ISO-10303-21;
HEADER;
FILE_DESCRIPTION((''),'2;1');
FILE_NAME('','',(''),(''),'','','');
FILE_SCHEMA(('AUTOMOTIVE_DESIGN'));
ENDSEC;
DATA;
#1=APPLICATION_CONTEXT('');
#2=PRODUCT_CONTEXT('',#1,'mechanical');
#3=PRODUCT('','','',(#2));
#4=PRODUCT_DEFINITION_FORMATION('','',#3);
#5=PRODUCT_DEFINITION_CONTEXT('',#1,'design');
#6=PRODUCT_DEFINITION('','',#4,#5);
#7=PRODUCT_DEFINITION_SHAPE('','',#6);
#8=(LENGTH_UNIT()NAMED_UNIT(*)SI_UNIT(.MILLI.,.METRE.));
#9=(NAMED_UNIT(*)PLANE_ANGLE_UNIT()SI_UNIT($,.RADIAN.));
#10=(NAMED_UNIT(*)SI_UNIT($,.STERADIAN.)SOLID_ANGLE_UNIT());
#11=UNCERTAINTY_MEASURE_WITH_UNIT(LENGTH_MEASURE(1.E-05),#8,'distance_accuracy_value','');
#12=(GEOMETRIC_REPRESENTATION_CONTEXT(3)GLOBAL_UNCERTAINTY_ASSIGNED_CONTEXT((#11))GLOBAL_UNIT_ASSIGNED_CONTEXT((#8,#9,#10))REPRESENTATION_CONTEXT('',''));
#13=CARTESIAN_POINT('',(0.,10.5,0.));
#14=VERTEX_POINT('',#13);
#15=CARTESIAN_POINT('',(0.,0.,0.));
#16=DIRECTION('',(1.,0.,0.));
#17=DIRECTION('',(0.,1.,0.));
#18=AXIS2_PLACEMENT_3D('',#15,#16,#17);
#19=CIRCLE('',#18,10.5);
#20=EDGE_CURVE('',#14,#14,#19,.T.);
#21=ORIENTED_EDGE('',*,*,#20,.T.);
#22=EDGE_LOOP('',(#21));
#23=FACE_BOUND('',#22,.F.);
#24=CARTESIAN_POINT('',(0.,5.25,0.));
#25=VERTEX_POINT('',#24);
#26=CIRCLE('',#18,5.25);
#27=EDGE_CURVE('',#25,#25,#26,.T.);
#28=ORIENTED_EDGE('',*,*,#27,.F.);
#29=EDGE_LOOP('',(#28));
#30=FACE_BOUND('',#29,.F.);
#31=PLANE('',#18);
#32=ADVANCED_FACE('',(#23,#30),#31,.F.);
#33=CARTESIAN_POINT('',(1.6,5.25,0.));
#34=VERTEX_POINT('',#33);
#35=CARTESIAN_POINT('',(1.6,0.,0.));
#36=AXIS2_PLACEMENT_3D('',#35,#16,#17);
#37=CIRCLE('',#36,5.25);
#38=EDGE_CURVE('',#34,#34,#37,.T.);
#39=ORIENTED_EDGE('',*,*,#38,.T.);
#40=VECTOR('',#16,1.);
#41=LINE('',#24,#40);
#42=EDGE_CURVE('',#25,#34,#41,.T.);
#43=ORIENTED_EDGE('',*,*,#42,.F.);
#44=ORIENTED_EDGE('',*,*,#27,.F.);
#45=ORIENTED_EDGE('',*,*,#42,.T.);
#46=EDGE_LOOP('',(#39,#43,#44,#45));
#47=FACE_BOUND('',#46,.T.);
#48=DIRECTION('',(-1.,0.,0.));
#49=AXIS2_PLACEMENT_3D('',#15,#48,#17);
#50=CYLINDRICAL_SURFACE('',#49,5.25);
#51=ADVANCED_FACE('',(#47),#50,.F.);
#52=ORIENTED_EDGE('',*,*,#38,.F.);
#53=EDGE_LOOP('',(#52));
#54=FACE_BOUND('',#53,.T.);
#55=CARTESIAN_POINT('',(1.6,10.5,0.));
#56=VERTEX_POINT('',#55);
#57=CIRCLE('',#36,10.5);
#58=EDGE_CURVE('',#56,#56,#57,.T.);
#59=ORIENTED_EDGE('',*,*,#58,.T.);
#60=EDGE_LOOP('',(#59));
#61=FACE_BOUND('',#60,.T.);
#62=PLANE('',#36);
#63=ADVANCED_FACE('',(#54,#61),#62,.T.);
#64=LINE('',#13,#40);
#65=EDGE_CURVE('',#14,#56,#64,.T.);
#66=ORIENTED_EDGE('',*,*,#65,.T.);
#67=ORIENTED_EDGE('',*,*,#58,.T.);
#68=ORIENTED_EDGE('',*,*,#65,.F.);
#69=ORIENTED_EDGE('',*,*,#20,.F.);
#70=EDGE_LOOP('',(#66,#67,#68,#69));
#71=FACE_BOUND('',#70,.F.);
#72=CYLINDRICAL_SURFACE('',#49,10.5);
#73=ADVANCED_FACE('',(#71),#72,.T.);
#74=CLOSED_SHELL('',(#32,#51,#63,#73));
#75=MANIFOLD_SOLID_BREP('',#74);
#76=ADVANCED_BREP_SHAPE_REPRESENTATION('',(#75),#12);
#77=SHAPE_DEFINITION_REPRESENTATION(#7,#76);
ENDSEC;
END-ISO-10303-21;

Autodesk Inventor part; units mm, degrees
ref_plane "YZ Plane" through (0, 0, 0) normal (1, 0, 0) x (0, 1, 0)
ref_plane "XZ Plane" through (0, 0, 0) normal (0, 1, 0) x (-1, 0, 0)
sketch "Sketch" plane through (0, 0, 0) normal (1, 0, 0) x (0, 1, 0)
  circle A0 centre (0, 0) radius 10.5
  circle A1 centre (0, 0) radius 5.25
  dimension "d0" = 10.5
  dimension "d1" = 21
extrude "Body" add sketch "Sketch" along normal blind 1.6
ref_plane "Work Plane1" through (0, 0, 0) normal (0, 0, 1) x (1, 0, 0)
equation "\"d0\" = SD1"
equation "\"d1\" = SD2"
equation "\"d2\" = SD"
equation "\"SD1\" = 10.5"
equation "\"SD2\" = 21"
equation "\"SD\" = 1.6"
properties part number "AS 1237 - 10 mm" material "Aluminum 6061"
